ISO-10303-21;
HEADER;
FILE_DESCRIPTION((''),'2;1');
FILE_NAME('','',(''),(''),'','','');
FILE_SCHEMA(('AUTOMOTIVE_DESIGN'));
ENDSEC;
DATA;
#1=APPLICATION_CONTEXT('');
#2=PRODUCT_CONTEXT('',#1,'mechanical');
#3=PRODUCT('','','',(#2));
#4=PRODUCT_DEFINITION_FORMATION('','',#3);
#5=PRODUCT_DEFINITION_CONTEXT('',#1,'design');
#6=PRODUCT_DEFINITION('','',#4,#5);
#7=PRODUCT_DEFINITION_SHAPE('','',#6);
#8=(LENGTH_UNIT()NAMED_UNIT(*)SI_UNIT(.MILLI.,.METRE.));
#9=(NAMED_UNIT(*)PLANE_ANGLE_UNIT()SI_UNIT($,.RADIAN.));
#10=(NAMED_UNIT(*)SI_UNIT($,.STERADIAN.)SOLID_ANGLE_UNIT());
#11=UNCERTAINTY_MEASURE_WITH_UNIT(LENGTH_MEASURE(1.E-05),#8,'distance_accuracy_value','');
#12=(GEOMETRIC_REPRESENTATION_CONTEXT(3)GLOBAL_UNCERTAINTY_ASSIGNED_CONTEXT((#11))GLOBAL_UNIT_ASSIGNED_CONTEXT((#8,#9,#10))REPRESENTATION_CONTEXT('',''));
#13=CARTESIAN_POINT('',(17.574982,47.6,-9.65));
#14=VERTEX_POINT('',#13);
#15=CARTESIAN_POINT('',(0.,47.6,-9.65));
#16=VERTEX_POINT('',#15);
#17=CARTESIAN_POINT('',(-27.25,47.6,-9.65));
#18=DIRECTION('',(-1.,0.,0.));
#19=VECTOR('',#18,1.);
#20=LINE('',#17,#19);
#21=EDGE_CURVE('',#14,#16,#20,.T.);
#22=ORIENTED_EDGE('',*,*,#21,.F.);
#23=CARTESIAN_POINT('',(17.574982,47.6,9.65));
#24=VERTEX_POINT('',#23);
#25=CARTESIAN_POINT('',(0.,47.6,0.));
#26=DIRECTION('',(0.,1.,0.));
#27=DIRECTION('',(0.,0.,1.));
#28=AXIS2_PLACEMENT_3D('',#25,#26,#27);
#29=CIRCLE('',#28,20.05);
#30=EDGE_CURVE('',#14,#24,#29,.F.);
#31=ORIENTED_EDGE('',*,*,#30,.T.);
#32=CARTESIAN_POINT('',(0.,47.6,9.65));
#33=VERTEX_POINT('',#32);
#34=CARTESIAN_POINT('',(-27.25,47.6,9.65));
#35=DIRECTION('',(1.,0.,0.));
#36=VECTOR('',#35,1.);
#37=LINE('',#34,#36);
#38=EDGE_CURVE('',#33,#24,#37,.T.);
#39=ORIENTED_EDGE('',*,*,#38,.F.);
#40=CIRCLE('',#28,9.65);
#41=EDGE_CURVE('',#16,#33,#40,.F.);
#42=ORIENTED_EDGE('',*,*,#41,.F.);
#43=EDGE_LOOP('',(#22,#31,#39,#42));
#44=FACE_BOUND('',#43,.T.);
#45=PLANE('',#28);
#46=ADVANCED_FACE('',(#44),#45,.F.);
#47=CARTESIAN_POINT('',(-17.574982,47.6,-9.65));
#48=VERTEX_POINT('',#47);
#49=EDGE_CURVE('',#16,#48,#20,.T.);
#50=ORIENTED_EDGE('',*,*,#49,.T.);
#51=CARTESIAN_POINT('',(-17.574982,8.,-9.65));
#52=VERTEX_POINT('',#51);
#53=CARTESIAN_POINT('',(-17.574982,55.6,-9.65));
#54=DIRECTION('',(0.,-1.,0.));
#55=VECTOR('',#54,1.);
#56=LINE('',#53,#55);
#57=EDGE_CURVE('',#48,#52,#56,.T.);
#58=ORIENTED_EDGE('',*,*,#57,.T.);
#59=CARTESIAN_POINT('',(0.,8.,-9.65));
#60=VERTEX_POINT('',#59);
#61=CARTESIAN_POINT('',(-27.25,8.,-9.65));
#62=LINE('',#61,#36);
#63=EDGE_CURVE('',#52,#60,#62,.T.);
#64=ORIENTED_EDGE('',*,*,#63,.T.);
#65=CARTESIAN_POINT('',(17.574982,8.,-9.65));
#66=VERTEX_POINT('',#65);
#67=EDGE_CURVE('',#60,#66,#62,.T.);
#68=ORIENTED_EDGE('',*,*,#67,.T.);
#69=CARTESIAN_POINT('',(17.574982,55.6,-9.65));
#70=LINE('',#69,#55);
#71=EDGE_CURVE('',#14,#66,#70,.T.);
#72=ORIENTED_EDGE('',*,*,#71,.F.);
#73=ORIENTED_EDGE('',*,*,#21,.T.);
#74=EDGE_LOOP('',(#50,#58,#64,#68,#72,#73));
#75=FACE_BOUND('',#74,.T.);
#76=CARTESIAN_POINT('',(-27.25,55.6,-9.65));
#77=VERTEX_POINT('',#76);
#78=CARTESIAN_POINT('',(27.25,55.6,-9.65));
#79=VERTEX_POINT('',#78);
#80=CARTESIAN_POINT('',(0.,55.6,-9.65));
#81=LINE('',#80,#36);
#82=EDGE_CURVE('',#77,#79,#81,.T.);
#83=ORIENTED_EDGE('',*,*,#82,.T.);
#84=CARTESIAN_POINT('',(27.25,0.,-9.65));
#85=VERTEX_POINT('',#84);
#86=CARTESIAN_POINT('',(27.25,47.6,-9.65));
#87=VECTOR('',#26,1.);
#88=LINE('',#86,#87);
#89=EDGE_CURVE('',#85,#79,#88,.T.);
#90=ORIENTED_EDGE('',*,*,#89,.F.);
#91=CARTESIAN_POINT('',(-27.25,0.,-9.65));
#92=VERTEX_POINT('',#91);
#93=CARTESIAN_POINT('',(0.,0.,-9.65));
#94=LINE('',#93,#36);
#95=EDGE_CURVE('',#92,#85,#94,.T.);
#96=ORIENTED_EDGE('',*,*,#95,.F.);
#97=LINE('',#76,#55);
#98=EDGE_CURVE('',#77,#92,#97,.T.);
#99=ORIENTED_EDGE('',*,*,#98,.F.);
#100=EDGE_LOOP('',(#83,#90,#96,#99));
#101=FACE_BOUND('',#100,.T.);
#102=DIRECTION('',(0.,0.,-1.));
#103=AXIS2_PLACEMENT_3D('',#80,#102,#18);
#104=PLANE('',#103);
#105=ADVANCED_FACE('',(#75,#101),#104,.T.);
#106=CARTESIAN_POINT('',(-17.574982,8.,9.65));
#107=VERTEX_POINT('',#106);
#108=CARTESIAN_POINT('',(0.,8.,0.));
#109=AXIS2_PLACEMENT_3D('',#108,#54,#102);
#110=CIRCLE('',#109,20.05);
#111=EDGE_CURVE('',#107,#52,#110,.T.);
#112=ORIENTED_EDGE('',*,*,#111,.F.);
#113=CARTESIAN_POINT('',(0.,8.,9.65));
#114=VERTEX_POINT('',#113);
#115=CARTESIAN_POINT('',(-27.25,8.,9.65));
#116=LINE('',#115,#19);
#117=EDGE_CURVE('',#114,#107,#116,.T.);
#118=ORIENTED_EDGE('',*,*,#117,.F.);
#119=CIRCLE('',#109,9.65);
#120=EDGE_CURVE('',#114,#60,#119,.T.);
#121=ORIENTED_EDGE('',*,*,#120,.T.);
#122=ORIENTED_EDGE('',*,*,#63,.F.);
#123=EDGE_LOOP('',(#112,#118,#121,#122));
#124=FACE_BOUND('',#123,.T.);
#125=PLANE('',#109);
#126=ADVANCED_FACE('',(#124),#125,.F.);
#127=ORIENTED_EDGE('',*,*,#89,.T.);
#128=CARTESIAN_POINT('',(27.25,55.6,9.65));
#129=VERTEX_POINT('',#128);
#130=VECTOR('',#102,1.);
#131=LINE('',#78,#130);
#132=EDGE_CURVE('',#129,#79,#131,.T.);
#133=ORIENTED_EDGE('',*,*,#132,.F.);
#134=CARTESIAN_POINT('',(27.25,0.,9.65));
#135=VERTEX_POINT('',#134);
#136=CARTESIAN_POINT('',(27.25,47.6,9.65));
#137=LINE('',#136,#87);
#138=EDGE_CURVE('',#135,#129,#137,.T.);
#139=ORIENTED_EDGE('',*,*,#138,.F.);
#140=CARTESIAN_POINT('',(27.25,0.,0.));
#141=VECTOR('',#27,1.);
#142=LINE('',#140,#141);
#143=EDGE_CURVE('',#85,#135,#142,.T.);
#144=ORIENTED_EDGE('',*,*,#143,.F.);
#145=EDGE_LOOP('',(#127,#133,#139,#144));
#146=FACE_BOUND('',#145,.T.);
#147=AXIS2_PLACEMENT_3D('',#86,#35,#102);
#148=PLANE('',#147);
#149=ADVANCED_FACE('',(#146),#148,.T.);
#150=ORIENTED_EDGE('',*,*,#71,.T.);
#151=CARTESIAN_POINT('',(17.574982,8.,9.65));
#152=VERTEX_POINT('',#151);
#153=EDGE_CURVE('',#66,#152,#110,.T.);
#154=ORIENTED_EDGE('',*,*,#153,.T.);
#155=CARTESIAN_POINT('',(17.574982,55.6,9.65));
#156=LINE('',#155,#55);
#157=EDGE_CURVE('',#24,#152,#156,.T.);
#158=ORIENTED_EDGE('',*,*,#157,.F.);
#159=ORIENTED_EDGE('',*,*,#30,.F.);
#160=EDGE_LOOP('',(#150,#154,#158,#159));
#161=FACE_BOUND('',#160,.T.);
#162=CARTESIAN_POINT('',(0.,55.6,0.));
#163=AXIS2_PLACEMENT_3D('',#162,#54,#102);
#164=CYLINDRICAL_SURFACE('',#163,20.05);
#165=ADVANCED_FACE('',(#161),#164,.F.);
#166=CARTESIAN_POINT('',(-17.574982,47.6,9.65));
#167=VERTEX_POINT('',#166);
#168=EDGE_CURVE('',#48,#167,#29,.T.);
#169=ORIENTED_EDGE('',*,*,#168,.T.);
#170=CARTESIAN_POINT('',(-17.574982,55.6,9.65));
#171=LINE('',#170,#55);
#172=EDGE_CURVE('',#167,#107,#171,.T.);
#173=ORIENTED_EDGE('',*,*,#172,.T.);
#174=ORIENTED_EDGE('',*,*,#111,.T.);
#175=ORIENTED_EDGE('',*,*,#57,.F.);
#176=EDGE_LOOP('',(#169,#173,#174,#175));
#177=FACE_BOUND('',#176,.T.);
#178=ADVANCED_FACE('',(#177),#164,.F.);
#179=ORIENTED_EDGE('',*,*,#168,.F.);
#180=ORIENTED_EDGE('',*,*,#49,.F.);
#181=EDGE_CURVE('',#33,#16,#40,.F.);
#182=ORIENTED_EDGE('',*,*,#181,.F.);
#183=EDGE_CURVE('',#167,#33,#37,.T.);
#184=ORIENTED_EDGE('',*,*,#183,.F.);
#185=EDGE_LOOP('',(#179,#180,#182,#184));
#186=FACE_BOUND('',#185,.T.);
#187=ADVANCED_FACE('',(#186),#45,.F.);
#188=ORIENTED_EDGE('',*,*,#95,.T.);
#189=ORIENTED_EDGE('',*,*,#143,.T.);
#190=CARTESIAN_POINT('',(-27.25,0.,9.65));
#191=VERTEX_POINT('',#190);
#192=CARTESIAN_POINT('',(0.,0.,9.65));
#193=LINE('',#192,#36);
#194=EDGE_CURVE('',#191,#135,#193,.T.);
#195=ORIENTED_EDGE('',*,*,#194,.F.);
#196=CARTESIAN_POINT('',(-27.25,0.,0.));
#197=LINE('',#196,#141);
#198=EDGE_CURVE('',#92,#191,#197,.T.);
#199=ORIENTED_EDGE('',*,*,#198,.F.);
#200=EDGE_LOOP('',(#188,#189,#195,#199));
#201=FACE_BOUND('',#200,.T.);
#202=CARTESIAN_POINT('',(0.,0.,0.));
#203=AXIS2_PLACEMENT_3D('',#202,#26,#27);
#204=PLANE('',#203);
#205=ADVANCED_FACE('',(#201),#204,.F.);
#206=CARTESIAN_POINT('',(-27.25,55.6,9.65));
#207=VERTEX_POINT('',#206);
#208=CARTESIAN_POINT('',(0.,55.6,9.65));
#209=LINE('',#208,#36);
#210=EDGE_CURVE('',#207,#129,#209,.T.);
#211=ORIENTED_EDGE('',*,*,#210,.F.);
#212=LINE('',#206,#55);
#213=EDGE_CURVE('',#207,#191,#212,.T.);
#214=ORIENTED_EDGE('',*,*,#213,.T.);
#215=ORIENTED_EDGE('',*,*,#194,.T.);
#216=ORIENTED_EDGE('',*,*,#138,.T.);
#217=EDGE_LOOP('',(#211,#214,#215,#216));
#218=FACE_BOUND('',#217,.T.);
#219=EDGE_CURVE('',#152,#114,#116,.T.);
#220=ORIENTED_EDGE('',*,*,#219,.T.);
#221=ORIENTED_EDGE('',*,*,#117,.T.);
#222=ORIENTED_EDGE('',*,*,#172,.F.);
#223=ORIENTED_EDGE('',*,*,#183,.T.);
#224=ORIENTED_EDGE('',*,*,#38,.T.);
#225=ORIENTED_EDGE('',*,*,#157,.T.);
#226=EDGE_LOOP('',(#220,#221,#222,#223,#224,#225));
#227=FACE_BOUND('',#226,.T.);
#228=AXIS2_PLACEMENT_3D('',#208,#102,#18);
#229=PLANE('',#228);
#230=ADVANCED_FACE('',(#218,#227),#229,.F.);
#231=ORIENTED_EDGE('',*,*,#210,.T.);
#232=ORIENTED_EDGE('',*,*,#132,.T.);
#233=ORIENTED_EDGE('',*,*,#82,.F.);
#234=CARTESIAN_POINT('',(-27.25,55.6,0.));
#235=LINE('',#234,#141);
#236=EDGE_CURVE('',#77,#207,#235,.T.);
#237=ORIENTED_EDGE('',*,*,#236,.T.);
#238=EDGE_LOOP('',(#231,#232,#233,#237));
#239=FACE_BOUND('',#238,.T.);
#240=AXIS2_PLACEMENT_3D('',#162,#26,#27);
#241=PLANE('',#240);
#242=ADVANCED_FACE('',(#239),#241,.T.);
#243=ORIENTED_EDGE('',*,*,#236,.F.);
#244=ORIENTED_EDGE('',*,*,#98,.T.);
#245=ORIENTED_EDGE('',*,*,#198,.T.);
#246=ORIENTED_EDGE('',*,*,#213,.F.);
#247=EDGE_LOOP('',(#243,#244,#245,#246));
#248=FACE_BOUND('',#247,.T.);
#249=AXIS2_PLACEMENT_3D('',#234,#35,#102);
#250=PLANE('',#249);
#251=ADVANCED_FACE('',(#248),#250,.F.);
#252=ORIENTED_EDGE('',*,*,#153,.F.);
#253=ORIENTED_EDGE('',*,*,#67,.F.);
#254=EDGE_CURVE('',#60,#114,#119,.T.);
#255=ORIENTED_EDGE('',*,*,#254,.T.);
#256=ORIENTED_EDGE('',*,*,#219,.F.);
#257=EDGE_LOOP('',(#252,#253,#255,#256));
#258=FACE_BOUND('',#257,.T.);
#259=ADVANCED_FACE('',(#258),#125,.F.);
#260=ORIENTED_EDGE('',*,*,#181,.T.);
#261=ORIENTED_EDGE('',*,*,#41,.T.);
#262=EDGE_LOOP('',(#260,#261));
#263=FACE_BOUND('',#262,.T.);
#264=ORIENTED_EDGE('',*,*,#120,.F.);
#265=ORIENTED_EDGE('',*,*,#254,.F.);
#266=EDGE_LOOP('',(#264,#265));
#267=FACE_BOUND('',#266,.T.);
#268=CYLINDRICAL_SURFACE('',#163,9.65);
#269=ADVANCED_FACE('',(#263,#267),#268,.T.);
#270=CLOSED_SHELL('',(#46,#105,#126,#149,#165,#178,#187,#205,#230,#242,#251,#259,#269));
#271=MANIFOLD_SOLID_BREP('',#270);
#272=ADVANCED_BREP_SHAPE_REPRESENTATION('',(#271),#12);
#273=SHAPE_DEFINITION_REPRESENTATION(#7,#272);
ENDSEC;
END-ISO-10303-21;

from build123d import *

# Parameters (mm, degrees)
BOSS_EXTRUDE1_DEPTH   = 55.6
SKETCH1_R             = 9.65
BOSS_EXTRUDE1_2_DEPTH = 55.6
BOSS_EXTRUDE1_3_DEPTH = 55.6
SKETCH2_W             = 54.5
SKETCH2_H             = 19.3
BOSS_EXTRUDE2_DEPTH   = 8
SKETCH3_W             = 54.5
SKETCH3_H             = 19.3
BOSS_EXTRUDE3_DEPTH   = 8


with BuildPart() as part:
    # Sketch1 → Boss-Extrude1 (new body)
    with BuildSketch(Plane(origin=(0, 0, 0), x_dir=(1, 0, 0), z_dir=(0, 1, 0))):
        with BuildLine():
            Line((-17.574982219, 9.65), (-27.25, 9.65))
            Line((-27.25, 9.65), (-27.25, -9.65))
            Line((-27.25, -9.65), (-17.574982219, -9.65))
            ThreePointArc((-17.574982219, -9.65), (-20.05, 0), (-17.574982219, 9.65))
        make_face()
    extrude(amount=BOSS_EXTRUDE1_DEPTH)



with BuildPart() as body_2:
    # Sketch1 → Boss-Extrude1 2 (new body)
    with BuildSketch(Plane(origin=(0, 0, 0), x_dir=(1, 0, 0), z_dir=(0, 1, 0))):
        Circle(SKETCH1_R)
    extrude(amount=BOSS_EXTRUDE1_2_DEPTH)


with BuildPart() as body_3:
    # Sketch1 → Boss-Extrude1 3 (new body)
    with BuildSketch(Plane(origin=(0, 0, 0), x_dir=(1, 0, 0), z_dir=(0, 1, 0))):
        with BuildLine():
            Line((27.25, 9.65), (17.574982219, 9.65))
            ThreePointArc((17.574982219, 9.65), (19.421391473, 4.981169868), (20.05, 0))
            ThreePointArc((20.05, 0), (19.421391473, -4.981169868), (17.574982219, -9.65))
            Line((17.574982219, -9.65), (27.25, -9.65))
            Line((27.25, -9.65), (27.25, 9.65))
        make_face()
    extrude(amount=BOSS_EXTRUDE1_3_DEPTH)


with BuildPart() as part_1:
    add(part.part)

    add(body_2.part)  # Boss-Extrude2 merges body 2

    add(body_3.part)  # Boss-Extrude2 merges body 3
    # Sketch2 → Boss-Extrude2 (add)
    with BuildSketch(Plane(origin=(0, 55.6, 0), x_dir=(1, 0, 0), z_dir=(0, 1, 0))):
        Rectangle(SKETCH2_W, SKETCH2_H)
    extrude(amount=-BOSS_EXTRUDE2_DEPTH)

    # Sketch3 → Boss-Extrude3 (add)
    with BuildSketch(Plane.XZ):
        Rectangle(SKETCH3_W, SKETCH3_H)
    extrude(amount=-BOSS_EXTRUDE3_DEPTH)


solid = part_1.part
